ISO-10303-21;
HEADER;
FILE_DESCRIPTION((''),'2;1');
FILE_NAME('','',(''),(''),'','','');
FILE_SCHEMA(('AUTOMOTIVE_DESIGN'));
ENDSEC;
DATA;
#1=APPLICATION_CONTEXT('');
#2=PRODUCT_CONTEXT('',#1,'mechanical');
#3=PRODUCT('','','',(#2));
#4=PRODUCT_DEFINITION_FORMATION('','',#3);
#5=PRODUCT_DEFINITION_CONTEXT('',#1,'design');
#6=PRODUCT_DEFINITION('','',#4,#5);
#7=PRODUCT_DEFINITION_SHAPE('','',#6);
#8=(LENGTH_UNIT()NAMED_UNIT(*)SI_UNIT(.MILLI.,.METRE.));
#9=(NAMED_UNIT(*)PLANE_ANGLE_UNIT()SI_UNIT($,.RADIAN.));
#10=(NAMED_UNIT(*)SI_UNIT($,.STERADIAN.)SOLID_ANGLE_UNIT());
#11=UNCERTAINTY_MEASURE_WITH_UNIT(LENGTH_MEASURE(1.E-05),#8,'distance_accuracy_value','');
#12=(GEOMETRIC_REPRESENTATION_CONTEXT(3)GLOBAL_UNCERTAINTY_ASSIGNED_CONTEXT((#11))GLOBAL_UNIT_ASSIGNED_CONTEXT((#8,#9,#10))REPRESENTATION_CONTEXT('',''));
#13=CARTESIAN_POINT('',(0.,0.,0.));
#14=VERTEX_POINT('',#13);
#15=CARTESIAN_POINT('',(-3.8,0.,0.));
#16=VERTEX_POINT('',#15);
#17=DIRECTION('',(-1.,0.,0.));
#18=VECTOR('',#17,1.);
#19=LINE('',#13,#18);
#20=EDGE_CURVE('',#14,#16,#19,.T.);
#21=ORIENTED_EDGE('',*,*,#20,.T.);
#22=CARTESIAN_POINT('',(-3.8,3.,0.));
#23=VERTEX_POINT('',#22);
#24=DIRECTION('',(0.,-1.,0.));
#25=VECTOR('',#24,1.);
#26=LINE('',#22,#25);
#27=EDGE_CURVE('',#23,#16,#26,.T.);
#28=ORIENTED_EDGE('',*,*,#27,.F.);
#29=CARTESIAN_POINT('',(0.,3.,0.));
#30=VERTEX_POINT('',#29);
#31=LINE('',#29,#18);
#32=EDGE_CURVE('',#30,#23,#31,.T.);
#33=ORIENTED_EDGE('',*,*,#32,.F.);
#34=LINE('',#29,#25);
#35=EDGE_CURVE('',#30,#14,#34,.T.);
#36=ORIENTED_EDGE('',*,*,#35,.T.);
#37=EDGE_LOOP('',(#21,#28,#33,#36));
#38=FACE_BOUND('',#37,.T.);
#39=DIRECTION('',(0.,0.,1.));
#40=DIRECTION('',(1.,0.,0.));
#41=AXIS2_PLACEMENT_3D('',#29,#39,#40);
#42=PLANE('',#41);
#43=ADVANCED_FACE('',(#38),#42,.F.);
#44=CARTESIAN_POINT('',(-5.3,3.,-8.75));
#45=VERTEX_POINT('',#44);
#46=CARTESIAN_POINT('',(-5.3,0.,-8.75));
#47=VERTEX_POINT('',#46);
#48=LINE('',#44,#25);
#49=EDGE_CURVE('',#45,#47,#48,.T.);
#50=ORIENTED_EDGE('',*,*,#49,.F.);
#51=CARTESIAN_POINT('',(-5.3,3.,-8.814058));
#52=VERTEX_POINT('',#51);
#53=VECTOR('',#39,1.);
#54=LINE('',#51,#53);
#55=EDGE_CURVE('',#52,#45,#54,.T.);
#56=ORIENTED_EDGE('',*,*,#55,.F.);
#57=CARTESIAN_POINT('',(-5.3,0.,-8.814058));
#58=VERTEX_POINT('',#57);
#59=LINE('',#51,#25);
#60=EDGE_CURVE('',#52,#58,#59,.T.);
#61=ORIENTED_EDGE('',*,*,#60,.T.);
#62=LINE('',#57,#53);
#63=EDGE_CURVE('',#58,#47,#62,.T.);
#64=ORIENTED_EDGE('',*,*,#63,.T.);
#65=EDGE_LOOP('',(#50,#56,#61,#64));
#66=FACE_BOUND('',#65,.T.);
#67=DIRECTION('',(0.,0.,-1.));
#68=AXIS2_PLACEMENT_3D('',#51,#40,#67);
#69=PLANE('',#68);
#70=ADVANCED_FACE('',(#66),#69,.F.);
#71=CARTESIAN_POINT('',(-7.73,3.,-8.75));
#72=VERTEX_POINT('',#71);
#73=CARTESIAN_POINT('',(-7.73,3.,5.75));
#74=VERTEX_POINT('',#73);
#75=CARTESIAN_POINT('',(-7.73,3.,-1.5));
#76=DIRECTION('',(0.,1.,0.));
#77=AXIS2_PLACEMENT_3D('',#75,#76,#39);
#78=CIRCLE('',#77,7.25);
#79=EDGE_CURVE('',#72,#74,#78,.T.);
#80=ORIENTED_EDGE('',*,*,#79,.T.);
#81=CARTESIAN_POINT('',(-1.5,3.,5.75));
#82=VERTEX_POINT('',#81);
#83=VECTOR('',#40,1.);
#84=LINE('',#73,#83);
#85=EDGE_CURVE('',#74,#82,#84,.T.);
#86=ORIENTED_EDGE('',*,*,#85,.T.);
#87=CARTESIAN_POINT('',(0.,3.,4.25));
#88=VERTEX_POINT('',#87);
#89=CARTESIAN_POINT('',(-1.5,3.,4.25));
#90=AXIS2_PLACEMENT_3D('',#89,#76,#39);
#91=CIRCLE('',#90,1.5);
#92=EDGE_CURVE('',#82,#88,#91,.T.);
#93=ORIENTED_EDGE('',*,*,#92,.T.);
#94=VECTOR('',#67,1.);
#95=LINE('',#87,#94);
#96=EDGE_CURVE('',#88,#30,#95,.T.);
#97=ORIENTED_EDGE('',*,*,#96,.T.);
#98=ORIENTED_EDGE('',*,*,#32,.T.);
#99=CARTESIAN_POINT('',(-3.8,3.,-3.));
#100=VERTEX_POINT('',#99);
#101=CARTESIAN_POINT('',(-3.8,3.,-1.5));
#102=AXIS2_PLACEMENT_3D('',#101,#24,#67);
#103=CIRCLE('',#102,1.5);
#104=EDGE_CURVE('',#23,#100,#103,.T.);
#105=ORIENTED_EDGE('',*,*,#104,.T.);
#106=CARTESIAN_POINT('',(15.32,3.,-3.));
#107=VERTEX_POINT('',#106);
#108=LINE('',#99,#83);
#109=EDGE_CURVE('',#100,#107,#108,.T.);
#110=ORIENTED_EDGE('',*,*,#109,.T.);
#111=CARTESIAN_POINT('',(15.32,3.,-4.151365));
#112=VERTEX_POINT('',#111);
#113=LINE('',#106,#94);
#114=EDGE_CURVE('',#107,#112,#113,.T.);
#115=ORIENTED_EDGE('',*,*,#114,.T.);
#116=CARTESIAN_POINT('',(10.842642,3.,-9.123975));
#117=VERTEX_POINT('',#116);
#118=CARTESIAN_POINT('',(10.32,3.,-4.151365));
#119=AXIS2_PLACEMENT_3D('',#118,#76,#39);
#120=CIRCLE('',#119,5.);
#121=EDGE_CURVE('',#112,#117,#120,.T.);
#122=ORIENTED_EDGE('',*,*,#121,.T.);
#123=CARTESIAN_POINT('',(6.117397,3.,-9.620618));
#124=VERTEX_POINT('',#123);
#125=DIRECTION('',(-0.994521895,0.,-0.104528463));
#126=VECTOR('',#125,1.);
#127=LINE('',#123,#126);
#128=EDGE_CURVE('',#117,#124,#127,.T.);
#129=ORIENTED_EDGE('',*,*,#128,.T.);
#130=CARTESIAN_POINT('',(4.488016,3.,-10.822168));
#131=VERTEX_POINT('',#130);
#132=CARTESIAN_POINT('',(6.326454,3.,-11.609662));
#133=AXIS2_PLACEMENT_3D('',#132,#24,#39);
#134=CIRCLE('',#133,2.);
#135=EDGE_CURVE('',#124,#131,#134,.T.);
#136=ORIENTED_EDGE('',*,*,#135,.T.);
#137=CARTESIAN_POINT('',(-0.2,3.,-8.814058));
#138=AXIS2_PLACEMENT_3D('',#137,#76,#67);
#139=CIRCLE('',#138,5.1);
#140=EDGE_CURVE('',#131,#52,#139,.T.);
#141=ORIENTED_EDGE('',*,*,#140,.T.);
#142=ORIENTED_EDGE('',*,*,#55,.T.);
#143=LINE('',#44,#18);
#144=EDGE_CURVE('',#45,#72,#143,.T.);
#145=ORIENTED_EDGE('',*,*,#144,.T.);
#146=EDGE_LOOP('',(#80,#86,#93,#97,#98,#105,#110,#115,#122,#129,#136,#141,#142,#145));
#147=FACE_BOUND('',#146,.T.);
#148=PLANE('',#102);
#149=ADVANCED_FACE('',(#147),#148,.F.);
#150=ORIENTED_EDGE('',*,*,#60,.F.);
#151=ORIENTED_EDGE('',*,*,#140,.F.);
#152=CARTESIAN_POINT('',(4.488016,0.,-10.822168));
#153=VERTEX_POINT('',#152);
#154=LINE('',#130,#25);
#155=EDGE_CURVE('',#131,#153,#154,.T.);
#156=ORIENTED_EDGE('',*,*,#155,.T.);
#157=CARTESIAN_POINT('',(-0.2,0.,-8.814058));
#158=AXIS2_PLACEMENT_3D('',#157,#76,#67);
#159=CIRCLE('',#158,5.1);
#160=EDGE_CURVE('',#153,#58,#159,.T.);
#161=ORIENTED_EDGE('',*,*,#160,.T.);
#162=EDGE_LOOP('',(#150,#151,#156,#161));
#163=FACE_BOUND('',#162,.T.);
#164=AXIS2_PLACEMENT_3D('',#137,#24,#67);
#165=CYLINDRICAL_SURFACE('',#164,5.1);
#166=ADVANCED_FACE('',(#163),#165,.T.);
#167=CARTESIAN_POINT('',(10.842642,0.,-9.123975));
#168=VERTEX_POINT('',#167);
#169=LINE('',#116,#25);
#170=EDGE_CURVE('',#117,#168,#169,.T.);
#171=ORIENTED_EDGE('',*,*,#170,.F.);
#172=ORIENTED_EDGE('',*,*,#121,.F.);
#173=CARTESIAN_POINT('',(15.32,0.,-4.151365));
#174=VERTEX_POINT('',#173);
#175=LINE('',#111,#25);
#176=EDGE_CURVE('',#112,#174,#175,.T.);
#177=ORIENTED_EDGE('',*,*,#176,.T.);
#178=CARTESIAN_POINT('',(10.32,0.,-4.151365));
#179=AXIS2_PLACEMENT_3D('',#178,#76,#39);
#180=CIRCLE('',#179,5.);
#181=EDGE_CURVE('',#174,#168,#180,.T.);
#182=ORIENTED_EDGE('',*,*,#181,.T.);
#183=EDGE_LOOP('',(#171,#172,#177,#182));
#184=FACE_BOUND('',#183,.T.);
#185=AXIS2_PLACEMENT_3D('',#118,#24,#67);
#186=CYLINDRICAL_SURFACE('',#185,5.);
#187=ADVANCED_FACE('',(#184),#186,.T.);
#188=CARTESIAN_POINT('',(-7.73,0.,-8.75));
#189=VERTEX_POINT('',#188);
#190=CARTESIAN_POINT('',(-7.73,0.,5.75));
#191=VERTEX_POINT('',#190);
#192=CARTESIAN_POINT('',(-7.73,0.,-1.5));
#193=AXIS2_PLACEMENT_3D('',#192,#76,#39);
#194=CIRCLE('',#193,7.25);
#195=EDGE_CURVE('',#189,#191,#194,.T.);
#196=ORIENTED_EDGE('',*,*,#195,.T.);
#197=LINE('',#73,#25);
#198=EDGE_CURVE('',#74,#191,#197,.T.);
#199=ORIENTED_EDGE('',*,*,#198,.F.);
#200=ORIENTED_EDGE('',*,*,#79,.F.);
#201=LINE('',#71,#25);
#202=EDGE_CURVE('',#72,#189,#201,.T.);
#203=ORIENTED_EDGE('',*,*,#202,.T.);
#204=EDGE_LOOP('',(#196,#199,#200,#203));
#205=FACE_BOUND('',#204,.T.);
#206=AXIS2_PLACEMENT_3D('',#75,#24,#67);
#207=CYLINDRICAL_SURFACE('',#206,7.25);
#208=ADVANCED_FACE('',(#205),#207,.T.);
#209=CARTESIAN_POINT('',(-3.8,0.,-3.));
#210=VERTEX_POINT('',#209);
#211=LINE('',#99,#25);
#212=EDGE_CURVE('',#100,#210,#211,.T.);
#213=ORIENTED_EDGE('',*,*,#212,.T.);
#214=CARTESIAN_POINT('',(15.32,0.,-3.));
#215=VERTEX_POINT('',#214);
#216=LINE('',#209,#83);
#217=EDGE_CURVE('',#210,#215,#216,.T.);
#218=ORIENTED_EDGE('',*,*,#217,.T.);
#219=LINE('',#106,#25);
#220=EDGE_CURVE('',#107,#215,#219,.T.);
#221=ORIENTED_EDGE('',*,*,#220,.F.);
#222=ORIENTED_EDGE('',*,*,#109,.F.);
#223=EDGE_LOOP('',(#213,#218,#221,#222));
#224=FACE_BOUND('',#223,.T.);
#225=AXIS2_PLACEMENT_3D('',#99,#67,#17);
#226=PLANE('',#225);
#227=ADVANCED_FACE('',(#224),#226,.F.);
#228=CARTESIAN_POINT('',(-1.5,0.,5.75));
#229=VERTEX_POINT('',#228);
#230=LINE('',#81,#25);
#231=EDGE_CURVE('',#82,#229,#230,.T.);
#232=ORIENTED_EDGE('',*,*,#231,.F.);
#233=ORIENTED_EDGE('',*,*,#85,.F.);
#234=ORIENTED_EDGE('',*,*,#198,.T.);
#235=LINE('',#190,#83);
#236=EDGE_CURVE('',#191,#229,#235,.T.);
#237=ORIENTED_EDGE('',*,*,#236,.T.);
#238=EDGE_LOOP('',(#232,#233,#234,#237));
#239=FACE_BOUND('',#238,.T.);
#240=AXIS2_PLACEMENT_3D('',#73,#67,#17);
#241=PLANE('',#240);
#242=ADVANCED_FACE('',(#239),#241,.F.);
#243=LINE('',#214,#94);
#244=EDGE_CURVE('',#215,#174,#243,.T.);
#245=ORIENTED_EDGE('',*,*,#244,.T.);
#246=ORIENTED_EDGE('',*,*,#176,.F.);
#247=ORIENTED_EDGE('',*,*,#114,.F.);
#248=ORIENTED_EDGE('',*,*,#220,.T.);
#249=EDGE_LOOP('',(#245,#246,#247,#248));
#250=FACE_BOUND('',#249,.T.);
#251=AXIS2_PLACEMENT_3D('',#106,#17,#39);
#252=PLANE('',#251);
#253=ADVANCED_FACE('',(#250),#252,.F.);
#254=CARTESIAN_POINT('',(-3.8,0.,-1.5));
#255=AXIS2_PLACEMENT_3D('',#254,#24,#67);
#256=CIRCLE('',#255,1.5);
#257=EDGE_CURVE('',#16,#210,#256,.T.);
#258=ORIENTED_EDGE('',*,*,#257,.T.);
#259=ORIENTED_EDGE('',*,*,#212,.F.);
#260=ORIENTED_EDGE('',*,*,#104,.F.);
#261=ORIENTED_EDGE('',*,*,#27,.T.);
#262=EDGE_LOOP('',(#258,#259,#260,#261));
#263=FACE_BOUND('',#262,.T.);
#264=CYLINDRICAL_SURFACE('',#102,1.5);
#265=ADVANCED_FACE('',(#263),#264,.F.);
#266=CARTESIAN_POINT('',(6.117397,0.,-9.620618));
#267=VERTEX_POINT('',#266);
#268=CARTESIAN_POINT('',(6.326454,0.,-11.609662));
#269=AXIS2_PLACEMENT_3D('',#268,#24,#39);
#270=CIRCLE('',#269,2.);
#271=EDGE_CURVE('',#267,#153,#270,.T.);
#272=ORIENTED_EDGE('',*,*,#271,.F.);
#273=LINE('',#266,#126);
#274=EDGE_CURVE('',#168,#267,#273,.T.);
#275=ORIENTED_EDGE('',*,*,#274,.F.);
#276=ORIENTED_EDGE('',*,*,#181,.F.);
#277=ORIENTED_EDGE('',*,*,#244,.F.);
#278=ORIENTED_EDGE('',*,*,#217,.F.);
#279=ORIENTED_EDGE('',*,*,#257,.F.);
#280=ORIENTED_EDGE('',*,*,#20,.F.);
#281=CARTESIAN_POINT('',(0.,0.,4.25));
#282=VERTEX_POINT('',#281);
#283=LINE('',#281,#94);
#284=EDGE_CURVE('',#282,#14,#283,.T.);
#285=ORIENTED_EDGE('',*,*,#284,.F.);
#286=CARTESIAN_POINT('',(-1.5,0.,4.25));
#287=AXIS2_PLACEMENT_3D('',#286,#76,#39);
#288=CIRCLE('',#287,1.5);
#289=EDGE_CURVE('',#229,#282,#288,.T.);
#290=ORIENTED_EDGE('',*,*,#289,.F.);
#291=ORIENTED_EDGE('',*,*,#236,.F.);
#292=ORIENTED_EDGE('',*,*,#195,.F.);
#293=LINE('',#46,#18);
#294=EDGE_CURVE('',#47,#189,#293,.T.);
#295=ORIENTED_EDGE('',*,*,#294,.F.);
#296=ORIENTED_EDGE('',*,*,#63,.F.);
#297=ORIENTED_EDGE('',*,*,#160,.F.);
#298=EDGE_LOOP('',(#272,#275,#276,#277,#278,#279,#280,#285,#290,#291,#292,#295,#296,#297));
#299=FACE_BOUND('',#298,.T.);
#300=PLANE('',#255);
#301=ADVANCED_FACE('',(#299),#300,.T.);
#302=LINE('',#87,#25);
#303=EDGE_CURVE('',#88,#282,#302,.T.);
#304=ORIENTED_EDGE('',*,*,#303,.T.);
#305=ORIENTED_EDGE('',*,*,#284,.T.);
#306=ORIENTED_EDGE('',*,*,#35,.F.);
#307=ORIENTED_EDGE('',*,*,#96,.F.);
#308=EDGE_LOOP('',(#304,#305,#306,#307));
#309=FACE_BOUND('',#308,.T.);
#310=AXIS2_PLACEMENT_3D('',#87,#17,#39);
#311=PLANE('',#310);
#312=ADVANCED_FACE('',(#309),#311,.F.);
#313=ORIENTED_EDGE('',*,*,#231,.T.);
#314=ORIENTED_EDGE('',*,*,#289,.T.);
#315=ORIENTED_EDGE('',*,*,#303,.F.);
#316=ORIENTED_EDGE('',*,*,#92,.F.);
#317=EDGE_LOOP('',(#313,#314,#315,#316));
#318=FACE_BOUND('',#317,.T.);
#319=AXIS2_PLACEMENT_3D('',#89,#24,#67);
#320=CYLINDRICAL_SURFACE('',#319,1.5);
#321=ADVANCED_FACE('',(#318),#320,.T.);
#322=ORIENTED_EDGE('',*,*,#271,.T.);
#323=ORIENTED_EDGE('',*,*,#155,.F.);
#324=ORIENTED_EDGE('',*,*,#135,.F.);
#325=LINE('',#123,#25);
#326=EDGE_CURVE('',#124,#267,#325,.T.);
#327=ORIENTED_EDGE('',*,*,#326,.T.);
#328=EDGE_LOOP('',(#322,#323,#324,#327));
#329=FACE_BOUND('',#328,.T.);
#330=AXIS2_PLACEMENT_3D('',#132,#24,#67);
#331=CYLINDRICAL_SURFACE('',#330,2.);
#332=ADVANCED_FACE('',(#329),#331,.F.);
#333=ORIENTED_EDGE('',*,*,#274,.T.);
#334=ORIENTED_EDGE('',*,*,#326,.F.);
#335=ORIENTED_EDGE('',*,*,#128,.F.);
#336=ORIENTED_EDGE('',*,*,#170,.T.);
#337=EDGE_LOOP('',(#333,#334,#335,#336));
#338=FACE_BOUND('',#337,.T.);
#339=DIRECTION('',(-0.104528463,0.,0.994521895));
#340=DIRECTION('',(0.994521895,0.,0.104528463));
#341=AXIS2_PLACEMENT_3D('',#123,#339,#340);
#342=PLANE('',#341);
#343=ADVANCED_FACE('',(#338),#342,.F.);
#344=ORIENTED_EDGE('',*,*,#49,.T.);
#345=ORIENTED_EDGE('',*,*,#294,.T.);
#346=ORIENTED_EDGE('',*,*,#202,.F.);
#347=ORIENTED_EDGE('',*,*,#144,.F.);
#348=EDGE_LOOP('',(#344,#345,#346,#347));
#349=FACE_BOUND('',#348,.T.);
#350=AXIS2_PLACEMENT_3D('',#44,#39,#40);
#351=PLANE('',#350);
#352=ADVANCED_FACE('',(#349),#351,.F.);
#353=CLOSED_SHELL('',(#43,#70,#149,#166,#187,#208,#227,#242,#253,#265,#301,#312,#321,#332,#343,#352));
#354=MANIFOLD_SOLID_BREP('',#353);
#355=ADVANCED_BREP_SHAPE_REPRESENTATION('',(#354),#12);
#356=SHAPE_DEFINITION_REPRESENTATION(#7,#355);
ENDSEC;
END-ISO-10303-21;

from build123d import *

# Parameters (mm, degrees)
BOSS_EXTRUDE2_DEPTH = 3


with BuildPart() as part:
    # Sketch1 → Boss-Extrude2 (new body)
    with BuildSketch(Plane(origin=(0, 0, 0), x_dir=(1, 0, 0), z_dir=(0, 1, 0))):
        with BuildLine():
            Line((0, 0), (-3.8, 0))
            ThreePointArc((-3.8, 0), (-5.3, 1.5), (-3.8, 3))
            Line((-3.8, 3), (15.32, 3))
            Line((15.32, 3), (15.32, 4.151365207))
            ThreePointArc((15.32, 4.151365207), (14.035724127, 7.497018238), (10.842642316, 9.123974683))
            Line((10.842642316, 9.123974683), (6.117396703, 9.62061801))
            ThreePointArc((6.117396703, 9.62061801), (5.139445253, 10), (4.488015988, 10.822167651))
            ThreePointArc((4.488015988, 10.822167651), (-1.224967917, 13.81), (-5.3, 8.81405757))
            Line((-5.3, 8.81405757), (-5.3, 8.75))
            Line((-5.3, 8.75), (-7.73, 8.75))
            ThreePointArc((-7.73, 8.75), (-14.98, 1.5), (-7.73, -5.75))
            Line((-7.73, -5.75), (-1.5, -5.75))
            ThreePointArc((-1.5, -5.75), (-0.439339828, -5.310660172), (0, -4.25))
            Line((0, -4.25), (0, 0))
        make_face()
    extrude(amount=BOSS_EXTRUDE2_DEPTH)


solid = part.part
